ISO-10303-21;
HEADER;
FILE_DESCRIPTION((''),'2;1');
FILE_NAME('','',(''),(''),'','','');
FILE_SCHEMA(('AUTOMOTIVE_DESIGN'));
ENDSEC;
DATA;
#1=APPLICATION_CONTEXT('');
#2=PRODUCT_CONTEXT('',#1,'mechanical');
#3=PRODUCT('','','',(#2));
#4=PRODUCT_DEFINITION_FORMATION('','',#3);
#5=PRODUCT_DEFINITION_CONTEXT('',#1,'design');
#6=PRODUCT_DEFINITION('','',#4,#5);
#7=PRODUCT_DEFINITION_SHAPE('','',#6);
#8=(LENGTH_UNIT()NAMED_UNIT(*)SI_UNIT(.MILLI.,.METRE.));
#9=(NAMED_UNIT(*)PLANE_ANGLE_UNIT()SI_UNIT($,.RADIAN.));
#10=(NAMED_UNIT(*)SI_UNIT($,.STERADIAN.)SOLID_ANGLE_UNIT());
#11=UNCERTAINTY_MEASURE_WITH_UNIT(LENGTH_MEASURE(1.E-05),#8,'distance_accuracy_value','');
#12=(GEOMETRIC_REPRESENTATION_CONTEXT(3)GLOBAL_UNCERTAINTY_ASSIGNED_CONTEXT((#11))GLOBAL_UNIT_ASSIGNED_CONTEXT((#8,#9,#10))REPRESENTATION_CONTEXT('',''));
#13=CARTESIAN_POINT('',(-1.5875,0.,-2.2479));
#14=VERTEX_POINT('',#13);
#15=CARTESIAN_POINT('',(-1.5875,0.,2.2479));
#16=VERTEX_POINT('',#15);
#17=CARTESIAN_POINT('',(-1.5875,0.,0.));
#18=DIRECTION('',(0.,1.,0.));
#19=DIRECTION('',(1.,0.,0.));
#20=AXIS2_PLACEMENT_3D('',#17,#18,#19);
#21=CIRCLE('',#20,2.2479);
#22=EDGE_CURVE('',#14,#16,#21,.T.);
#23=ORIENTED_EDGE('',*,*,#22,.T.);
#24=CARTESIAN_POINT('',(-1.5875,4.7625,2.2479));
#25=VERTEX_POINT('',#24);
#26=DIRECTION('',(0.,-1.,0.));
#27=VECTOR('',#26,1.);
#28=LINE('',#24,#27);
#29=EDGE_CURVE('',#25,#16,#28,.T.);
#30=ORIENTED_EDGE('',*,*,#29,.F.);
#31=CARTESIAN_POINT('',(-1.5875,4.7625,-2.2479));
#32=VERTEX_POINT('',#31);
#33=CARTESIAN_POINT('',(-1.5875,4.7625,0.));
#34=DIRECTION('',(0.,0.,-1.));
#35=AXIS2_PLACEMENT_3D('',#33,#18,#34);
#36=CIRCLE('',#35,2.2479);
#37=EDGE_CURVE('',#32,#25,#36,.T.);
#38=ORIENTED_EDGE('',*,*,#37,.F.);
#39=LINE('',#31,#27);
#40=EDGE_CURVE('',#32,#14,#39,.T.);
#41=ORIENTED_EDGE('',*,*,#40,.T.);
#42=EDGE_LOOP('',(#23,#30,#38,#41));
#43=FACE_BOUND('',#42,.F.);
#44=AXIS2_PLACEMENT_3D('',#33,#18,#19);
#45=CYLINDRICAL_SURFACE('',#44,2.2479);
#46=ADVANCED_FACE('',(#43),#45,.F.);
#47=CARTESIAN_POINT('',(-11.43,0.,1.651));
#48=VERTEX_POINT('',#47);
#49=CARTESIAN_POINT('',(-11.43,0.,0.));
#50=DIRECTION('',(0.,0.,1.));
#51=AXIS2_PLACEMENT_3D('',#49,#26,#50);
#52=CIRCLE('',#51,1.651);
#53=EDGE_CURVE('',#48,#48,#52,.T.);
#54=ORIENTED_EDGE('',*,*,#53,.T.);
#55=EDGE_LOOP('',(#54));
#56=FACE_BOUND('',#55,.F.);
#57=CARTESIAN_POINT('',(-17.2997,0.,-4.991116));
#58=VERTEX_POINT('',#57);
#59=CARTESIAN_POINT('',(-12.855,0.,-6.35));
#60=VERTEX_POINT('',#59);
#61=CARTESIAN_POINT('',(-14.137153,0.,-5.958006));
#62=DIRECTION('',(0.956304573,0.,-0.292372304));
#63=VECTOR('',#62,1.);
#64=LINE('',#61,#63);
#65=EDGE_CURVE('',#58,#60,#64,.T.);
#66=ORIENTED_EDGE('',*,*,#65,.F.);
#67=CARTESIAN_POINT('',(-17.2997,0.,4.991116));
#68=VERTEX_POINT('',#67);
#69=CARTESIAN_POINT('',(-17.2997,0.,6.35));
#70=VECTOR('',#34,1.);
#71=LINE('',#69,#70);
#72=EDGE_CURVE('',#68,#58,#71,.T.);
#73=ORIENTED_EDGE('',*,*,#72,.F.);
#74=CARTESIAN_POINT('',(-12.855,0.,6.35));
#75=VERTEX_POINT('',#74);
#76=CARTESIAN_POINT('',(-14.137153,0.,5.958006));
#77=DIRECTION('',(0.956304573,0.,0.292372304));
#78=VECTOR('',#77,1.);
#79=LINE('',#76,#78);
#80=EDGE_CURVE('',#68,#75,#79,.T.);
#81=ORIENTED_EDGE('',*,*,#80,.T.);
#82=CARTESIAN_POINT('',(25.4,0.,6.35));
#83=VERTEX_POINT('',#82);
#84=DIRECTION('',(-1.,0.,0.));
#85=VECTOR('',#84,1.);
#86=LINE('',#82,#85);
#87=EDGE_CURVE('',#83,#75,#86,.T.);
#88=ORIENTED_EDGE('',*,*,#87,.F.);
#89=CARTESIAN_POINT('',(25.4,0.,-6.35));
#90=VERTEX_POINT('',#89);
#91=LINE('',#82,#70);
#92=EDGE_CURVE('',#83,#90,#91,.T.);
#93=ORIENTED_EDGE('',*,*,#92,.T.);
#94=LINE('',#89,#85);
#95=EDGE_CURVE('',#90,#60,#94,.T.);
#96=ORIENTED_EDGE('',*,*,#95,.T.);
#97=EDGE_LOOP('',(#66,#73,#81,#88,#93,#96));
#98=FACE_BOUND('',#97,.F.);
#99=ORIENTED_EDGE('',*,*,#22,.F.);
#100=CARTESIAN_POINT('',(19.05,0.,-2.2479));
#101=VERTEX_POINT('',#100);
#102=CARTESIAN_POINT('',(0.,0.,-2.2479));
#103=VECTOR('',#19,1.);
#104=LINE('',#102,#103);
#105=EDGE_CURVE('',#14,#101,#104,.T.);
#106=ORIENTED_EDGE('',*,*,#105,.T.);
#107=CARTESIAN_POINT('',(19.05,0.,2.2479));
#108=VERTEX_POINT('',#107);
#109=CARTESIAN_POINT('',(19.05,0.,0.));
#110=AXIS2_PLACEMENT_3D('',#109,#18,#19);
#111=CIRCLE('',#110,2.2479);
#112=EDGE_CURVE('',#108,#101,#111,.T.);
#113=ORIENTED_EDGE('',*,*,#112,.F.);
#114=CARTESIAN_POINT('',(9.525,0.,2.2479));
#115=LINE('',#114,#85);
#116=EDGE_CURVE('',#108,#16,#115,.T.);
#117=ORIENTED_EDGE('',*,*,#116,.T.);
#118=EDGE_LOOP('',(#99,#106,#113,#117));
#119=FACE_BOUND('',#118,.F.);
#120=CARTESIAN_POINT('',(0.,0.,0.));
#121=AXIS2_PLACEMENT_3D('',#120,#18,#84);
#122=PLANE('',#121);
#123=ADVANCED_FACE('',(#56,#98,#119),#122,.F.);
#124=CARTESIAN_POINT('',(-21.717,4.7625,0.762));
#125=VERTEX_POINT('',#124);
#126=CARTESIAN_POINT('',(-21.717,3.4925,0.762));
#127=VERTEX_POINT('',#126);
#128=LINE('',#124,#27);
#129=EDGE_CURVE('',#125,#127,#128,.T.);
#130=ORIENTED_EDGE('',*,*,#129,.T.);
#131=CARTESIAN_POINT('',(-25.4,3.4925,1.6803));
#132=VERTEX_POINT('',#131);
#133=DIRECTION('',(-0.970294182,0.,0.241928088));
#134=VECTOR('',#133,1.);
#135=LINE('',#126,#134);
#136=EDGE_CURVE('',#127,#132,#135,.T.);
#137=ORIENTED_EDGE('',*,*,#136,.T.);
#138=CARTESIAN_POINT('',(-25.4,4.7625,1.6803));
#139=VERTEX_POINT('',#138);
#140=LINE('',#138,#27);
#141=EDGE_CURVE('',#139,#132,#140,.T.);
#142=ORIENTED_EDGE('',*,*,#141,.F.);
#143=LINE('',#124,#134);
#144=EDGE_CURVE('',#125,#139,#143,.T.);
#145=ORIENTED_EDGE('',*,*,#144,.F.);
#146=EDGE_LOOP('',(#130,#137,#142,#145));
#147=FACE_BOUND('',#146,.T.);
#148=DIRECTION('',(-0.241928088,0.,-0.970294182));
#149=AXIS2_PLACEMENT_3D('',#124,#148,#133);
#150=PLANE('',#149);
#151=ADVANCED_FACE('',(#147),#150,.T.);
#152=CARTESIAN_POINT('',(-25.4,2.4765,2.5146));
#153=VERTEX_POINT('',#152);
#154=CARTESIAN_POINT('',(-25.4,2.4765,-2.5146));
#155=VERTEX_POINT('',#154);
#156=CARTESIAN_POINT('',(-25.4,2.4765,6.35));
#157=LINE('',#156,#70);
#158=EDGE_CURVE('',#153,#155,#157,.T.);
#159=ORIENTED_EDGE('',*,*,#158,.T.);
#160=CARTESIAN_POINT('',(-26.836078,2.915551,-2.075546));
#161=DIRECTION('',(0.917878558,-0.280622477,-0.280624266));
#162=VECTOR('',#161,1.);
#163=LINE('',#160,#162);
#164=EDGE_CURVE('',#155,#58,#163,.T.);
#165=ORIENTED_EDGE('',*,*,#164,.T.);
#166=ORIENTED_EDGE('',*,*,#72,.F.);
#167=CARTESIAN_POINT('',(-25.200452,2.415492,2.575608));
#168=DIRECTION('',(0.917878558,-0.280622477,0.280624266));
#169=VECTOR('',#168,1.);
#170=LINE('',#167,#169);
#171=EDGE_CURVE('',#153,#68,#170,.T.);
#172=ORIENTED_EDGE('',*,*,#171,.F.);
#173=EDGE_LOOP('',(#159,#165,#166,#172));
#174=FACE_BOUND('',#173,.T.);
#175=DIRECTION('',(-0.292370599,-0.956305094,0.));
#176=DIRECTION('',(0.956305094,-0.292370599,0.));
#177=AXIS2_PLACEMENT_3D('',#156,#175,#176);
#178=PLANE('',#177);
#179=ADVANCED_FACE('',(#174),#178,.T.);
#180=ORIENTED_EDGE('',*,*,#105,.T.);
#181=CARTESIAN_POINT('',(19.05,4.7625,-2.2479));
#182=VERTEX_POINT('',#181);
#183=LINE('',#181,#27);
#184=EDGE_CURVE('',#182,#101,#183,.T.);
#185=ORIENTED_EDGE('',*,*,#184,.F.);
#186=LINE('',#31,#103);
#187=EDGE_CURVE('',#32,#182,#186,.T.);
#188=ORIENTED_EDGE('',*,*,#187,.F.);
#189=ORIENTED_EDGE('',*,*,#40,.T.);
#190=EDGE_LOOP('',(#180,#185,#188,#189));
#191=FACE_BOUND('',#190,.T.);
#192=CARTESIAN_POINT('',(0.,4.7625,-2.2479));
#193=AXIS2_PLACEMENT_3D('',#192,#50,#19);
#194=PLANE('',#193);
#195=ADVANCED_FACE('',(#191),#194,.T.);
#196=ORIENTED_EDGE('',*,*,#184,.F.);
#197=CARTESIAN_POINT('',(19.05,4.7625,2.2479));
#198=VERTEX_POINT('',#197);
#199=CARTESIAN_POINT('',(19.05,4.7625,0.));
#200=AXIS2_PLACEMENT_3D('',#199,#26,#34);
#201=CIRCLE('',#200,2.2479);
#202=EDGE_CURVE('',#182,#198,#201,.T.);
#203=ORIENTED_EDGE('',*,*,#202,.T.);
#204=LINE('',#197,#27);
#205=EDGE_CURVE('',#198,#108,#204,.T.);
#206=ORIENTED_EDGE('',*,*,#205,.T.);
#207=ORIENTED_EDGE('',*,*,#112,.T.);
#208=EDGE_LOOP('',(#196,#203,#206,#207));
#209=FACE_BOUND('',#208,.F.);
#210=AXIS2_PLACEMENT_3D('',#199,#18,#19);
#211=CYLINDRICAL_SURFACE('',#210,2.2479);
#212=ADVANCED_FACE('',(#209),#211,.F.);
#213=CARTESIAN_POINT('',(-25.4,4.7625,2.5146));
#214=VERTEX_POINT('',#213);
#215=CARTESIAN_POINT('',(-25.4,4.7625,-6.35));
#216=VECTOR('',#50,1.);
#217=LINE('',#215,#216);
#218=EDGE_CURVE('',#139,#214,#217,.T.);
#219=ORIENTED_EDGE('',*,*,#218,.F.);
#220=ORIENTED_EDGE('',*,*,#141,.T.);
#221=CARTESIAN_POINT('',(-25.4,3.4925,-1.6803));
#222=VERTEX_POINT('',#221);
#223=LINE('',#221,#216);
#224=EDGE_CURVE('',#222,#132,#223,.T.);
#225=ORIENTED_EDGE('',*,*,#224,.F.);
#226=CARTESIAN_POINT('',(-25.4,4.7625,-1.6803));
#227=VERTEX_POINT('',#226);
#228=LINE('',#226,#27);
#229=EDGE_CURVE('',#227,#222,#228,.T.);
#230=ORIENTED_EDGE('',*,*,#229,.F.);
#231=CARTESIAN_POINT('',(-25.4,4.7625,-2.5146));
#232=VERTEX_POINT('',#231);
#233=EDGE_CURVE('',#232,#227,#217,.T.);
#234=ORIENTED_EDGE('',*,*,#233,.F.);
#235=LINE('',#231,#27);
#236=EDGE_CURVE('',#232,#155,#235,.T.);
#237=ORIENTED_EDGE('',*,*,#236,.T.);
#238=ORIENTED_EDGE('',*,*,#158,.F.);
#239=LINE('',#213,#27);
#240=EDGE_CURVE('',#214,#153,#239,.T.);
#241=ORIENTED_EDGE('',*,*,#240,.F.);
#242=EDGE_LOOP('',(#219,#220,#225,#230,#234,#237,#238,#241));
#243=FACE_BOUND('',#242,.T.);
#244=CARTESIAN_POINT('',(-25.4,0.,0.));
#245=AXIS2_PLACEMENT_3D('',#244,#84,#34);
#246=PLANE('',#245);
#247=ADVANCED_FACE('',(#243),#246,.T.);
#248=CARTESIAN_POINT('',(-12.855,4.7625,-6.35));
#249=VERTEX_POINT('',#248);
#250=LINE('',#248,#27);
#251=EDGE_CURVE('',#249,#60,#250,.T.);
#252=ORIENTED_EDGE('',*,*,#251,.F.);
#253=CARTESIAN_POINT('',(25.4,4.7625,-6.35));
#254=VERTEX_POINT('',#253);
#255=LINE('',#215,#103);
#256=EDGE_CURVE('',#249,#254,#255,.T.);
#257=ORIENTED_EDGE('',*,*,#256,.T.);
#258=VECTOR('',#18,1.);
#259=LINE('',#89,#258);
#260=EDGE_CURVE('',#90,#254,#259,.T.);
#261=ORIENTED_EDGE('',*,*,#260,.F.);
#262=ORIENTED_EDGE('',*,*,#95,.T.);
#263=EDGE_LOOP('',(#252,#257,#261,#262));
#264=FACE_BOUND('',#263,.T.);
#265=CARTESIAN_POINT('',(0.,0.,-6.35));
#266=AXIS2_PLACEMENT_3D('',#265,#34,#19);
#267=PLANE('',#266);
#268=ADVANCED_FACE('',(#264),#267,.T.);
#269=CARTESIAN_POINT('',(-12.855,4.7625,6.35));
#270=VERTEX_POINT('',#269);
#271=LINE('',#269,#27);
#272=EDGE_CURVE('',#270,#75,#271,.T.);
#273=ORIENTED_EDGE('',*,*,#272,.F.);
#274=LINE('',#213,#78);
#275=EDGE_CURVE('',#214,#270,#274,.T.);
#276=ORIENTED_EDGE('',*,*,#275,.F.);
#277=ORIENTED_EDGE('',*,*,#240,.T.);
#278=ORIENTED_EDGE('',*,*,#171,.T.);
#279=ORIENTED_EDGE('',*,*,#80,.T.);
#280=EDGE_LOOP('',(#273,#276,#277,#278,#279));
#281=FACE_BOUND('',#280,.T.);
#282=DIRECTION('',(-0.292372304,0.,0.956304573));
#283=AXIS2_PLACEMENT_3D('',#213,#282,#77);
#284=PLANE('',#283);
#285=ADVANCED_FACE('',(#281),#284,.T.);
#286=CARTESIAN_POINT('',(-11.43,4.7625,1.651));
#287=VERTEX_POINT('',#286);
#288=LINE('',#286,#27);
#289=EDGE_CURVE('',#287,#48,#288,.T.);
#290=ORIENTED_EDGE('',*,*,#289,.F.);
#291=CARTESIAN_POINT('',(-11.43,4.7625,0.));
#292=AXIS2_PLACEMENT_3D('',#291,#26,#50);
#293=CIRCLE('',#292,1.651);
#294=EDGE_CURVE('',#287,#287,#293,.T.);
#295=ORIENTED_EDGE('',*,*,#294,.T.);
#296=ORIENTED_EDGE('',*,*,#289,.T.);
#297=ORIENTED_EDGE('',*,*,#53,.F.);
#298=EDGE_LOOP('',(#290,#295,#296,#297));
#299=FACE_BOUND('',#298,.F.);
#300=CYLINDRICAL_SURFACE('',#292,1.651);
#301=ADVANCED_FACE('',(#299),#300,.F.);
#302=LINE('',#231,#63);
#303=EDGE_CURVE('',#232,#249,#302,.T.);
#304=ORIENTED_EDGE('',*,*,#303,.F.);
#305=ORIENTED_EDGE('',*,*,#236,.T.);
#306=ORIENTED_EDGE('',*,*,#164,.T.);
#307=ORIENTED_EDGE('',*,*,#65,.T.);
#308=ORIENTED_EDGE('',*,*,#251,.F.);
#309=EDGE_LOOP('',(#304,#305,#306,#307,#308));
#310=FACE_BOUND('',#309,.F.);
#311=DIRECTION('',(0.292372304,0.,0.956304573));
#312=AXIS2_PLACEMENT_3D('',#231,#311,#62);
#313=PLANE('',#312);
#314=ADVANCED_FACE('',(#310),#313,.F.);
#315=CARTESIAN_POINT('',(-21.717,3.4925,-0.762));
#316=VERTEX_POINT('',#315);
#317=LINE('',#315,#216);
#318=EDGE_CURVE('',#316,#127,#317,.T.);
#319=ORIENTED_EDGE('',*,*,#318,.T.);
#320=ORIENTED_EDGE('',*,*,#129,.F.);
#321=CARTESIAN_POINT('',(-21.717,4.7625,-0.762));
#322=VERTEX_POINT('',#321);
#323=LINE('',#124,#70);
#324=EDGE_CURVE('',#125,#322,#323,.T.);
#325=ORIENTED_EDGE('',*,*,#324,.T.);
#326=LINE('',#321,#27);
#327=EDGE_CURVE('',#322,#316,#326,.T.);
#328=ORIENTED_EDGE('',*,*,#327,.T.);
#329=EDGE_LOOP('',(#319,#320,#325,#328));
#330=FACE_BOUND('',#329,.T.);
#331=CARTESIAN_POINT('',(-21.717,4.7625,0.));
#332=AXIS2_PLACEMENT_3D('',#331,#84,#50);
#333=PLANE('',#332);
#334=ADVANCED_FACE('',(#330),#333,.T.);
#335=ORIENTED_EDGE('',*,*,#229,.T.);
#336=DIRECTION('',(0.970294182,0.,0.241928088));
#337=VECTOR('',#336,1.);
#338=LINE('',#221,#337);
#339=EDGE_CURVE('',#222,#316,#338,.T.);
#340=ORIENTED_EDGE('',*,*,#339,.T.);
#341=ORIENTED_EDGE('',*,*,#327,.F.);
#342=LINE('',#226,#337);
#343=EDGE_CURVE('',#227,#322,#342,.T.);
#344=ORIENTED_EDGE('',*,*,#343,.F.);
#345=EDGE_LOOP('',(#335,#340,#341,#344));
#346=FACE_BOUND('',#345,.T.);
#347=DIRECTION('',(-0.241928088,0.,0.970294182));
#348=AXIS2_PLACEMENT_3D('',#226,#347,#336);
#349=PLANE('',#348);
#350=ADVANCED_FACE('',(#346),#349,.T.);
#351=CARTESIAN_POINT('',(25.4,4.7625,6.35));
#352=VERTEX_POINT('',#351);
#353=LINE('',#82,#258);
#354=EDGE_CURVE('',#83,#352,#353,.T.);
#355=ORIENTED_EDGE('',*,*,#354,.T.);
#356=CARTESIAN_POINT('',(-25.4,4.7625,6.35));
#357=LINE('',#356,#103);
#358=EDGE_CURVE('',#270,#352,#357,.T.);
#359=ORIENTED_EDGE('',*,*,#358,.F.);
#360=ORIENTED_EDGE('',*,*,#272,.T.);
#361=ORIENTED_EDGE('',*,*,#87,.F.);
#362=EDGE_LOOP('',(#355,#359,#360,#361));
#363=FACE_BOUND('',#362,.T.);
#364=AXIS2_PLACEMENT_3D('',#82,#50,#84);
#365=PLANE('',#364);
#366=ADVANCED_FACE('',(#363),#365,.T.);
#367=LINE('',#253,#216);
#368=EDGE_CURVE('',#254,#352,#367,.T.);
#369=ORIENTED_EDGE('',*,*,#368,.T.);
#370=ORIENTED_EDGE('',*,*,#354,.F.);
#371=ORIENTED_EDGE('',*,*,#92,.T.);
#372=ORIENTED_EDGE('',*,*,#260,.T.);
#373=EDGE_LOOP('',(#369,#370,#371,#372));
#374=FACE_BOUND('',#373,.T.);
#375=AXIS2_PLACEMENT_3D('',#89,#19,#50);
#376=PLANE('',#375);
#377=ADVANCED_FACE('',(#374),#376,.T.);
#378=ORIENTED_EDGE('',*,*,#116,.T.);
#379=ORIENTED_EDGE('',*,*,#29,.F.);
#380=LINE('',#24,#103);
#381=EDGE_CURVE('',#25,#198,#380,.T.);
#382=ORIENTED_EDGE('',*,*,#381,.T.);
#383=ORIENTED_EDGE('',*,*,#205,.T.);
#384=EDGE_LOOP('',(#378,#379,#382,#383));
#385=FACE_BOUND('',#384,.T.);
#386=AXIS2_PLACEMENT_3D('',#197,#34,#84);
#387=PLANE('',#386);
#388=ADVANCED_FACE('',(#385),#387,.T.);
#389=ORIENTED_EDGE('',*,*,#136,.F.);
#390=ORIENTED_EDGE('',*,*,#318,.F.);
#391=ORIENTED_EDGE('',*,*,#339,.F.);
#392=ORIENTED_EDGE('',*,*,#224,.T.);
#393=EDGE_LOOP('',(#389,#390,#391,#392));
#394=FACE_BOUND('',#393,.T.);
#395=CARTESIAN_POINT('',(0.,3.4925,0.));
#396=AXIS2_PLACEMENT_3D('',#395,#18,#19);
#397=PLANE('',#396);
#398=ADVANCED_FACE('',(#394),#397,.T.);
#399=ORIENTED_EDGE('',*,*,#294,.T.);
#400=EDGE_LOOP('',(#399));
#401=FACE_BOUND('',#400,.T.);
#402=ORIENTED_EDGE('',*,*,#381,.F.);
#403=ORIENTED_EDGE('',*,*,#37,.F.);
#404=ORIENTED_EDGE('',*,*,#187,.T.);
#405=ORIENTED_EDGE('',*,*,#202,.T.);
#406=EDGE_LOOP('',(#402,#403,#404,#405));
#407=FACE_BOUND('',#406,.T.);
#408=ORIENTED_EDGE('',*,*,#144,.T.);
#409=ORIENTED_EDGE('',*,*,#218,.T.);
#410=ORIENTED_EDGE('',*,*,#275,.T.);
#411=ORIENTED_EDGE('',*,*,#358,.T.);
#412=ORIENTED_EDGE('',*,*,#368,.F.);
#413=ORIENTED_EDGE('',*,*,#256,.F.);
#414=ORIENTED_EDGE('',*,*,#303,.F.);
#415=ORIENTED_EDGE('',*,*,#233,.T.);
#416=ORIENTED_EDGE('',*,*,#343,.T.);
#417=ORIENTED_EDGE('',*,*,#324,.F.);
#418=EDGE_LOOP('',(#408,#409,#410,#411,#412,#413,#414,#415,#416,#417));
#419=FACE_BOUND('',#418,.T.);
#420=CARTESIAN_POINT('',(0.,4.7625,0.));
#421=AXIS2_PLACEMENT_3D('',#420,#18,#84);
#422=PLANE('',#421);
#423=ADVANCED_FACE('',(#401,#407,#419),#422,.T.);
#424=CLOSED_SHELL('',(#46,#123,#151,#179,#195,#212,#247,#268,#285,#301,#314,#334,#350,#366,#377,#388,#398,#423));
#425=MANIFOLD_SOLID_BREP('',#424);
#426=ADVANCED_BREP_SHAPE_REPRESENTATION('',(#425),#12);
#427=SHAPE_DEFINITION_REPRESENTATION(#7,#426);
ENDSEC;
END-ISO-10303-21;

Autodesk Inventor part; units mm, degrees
ref_plane "XZ Plane" through (0, 0, 0) normal (0, 1, 0) x (-1, 0, 0)
sketch "Sketch1" plane through (0, 0, 0) normal (0, 1, 0) x (-1, 0, 0)
  line L0 (0, -8.89) -> (0, 8.89) projected
  line L1 (-35.56, 0) -> (35.56, 0) projected
  line L2 (25.4, -6.35) -> (-25.4, -6.35)
  line L3 (-25.4, -6.35) -> (-25.4, 6.35)
  line L4 (-25.4, 6.35) -> (25.4, 6.35)
  line L5 (25.4, 6.35) -> (25.4, -6.35)
  point P0 (0, 0)
  dimension "d0" = 12.7
  dimension "d1" = 6.35
  dimension "d2" = 50.8
  dimension "d3" = 25.4
extrude "Extrusion1" add sketch "Sketch1" along normal blind 4.7625
sketch "Sketch2" plane through (0, 4.7625, 0) normal (0, 1, 0) x (1, 0, 0)
  line L0 (25.4, 6.35) -> (-25.4, 6.35) projected
  line L1 (-25.4, 6.35) -> (-25.4, -6.35) projected
  line L2 (-25.4, -6.35) -> (25.4, -6.35) projected
  line L3 (25.4, -6.35) -> (25.4, 6.35) projected
  line L4 (-25.4, 2.5146) -> (-12.855, 6.35)
  line L5 (25.4, 6.35) -> (-25.4, 6.35) projected
  line L6 (-25.4, 6.35) -> (-25.4, -6.35) projected
  line L7 (-25.4, -2.5146) -> (-12.855, -6.35)
  line L8 (-12.855, 6.35) -> (-12.855, -6.35) construction
  line L9 (0, 8.89) -> (0, -8.89) projected
  line L10 (35.56, 0) -> (-35.56, 0) projected
  line L11 (-1.5875, 2.2479) -> (19.05, 2.2479)
  line L12 (19.05, 2.2479) -> (19.05, -2.2479)
  line L13 (19.05, -2.2479) -> (-1.5875, -2.2479)
  line L14 (-1.5875, -2.2479) -> (-1.5875, 2.2479)
  circle A0 centre (19.05, 0) radius 2.2479
  circle A1 centre (-1.5875, 0) radius 2.2479
  point P0 (0, 0)
  dimension "d6" = 163
  dimension "d7" = 163
  dimension "d8" = 5.0292
  dimension "d9" = 4.4958
  dimension "d10" = 6.35
  dimension "d11" = 20.6375
extrude "Extrusion2" cut sketch "Sketch2" against normal through all contours L4 L1 L0 | L11 A0 L10 A1 L9 | L9 A1 L11 | A1 L10 L9 | L9 L10 L14 A1 | L14 L10 A1 | A0 L10 L12 | L12 L10 A0 | L7 L2 L1 | L10 L14 A1 | A0 L12 L10 | L10 A1 L9 | L9 A1 L14 L10 | L10 A0 L13 L9 A1 | L12 A0 L10 | A1 L9 L13
sketch "Sketch3" plane through (0, 4.7625, 0) normal (0, 1, 0) x (1, 0, 0)
  line L0 (-25.4, -2.5146) -> (-12.855, -6.35) projected
  line L1 (-12.855, -6.35) -> (25.4, -6.35) projected
  line L2 (25.4, -6.35) -> (25.4, 6.35) projected
  line L3 (25.4, 6.35) -> (-12.855, 6.35) projected
  line L4 (-12.855, 6.35) -> (-25.4, 2.5146) projected
  line L5 (-25.4, 2.5146) -> (-25.4, -2.5146) projected
  line L6 (19.05, -2.2479) -> (-1.5875, -2.2479) projected
  arc A0 (-1.5875, 2.2479) -> (-1.5875, -2.2479) centre (-1.5875, 0) ccw projected
  line L7 (-1.5875, 2.2479) -> (19.05, 2.2479) projected
  arc A1 (19.05, -2.2479) -> (19.05, 2.2479) centre (19.05, 0) ccw projected
  line L8 (35.56, 0) -> (-35.56, 0) projected
  line L9 (-25.4, 1.6803) -> (-21.717, 0.762)
  line L10 (-21.717, 0.762) -> (-21.717, -0.762)
  line L11 (-21.717, -0.762) -> (-25.4, -1.6803)
  line L12 (-25.4, 2.5146) -> (-25.4, -2.5146) projected
  line L13 (-25.4, 1.6803) -> (-25.4, -1.6803)
  point P0 (0, 0)
  dimension "d14" = 28
  dimension "d15" = 14
  dimension "d16" = 3.683
  dimension "d17" = 1.524
  dimension "d18" = 0.762
extrude "Extrusion3" cut sketch "Sketch3" against normal blind 1.27 contours L5 L8 L10 L11 | L5 L9 L10 L8
sketch "Sketch4" plane through (0, 4.7625, 0) normal (0, 1, 0) x (1, 0, 0)
  line L0 (19.05, -2.2479) -> (-1.5875, -2.2479) projected
  arc A0 (-1.5875, 2.2479) -> (-1.5875, -2.2479) centre (-1.5875, 0) ccw projected
  line L1 (-1.5875, 2.2479) -> (19.05, 2.2479) projected
  arc A1 (19.05, -2.2479) -> (19.05, 2.2479) centre (19.05, 0) ccw projected
  line L2 (-25.4, 1.6803) -> (-21.717, 0.762) projected
  line L3 (-21.717, 0.762) -> (-21.717, -0.762) projected
  line L4 (-21.717, -0.762) -> (-25.4, -1.6803) projected
  line L5 (-25.4, -1.6803) -> (-25.4, -2.5146) projected
  line L6 (-25.4, -2.5146) -> (-12.855, -6.35) projected
  line L7 (-12.855, -6.35) -> (25.4, -6.35) projected
  line L8 (25.4, -6.35) -> (25.4, 6.35) projected
  line L9 (25.4, 6.35) -> (-12.855, 6.35) projected
  line L10 (-12.855, 6.35) -> (-25.4, 2.5146) projected
  line L11 (-25.4, 2.5146) -> (-25.4, 1.6803) projected
  line L12 (0, 8.89) -> (0, -8.89) projected
  line L13 (35.56, 0) -> (-35.56, 0) projected
  point P0 (0, 0)
  point P1 (-11.43, 0)
  dimension "d21" = 36.83
hole "Hole1" at (-11.43, 4.7625, 0) direction (0, -1, 0) diameter 3.302 depth 12.2936 tip angle 118 thread size "8-32 UNC" class "2B" standard "ANSI Unified Screw Threads"
sketch "Sketch6" plane through (25.4, 0, 6.35) normal (0, 0, 1) x (1, 0, 0)
  line L0 (-38.255, 0) -> (-50.8, 0) projected
  line L1 (-38.255, 4.7625) -> (-38.255, 0) projected
  line L2 (-50.8, 4.7625) -> (-38.255, 4.7625) projected
  line L3 (-50.8, 0) -> (-50.8, 4.7625) projected
  line L4 (-38.255, 4.7625) -> (-38.255, 0) projected
  line L5 (0, 0) -> (-38.255, 0) projected
  line L6 (0, 0) -> (0, 4.7625) projected
  line L7 (-38.255, 4.7625) -> (0, 4.7625) projected
  line L8 (-50.8, 2.4765) -> (-42.6997, 0)
  line L9 (-50.8, 2.4765) -> (-50.8, -12.0091)
  line L10 (-50.8, -12.0091) -> (-42.6997, -12.0091)
  line L11 (-42.6997, -12.0091) -> (-42.6997, 0)
  point P0 (-25.4, 0)
  dimension "d31" = 163
  dimension "d32" = 2.286
extrude "Extrusion4" cut sketch "Sketch6" against normal through all contours L11 L10 L9 L0 | L0 L3 L8
equation "\"d1\" = 0.5 * d0"
equation "\"d3\" = 0.5 * d2"
equation "\"d7\" = d6"
equation "\"d15\" = 0.5 * d14"
equation "\"d18\" = 0.5 * d17"
properties part number "ArmBar-V03" material "Stainless Steel"
